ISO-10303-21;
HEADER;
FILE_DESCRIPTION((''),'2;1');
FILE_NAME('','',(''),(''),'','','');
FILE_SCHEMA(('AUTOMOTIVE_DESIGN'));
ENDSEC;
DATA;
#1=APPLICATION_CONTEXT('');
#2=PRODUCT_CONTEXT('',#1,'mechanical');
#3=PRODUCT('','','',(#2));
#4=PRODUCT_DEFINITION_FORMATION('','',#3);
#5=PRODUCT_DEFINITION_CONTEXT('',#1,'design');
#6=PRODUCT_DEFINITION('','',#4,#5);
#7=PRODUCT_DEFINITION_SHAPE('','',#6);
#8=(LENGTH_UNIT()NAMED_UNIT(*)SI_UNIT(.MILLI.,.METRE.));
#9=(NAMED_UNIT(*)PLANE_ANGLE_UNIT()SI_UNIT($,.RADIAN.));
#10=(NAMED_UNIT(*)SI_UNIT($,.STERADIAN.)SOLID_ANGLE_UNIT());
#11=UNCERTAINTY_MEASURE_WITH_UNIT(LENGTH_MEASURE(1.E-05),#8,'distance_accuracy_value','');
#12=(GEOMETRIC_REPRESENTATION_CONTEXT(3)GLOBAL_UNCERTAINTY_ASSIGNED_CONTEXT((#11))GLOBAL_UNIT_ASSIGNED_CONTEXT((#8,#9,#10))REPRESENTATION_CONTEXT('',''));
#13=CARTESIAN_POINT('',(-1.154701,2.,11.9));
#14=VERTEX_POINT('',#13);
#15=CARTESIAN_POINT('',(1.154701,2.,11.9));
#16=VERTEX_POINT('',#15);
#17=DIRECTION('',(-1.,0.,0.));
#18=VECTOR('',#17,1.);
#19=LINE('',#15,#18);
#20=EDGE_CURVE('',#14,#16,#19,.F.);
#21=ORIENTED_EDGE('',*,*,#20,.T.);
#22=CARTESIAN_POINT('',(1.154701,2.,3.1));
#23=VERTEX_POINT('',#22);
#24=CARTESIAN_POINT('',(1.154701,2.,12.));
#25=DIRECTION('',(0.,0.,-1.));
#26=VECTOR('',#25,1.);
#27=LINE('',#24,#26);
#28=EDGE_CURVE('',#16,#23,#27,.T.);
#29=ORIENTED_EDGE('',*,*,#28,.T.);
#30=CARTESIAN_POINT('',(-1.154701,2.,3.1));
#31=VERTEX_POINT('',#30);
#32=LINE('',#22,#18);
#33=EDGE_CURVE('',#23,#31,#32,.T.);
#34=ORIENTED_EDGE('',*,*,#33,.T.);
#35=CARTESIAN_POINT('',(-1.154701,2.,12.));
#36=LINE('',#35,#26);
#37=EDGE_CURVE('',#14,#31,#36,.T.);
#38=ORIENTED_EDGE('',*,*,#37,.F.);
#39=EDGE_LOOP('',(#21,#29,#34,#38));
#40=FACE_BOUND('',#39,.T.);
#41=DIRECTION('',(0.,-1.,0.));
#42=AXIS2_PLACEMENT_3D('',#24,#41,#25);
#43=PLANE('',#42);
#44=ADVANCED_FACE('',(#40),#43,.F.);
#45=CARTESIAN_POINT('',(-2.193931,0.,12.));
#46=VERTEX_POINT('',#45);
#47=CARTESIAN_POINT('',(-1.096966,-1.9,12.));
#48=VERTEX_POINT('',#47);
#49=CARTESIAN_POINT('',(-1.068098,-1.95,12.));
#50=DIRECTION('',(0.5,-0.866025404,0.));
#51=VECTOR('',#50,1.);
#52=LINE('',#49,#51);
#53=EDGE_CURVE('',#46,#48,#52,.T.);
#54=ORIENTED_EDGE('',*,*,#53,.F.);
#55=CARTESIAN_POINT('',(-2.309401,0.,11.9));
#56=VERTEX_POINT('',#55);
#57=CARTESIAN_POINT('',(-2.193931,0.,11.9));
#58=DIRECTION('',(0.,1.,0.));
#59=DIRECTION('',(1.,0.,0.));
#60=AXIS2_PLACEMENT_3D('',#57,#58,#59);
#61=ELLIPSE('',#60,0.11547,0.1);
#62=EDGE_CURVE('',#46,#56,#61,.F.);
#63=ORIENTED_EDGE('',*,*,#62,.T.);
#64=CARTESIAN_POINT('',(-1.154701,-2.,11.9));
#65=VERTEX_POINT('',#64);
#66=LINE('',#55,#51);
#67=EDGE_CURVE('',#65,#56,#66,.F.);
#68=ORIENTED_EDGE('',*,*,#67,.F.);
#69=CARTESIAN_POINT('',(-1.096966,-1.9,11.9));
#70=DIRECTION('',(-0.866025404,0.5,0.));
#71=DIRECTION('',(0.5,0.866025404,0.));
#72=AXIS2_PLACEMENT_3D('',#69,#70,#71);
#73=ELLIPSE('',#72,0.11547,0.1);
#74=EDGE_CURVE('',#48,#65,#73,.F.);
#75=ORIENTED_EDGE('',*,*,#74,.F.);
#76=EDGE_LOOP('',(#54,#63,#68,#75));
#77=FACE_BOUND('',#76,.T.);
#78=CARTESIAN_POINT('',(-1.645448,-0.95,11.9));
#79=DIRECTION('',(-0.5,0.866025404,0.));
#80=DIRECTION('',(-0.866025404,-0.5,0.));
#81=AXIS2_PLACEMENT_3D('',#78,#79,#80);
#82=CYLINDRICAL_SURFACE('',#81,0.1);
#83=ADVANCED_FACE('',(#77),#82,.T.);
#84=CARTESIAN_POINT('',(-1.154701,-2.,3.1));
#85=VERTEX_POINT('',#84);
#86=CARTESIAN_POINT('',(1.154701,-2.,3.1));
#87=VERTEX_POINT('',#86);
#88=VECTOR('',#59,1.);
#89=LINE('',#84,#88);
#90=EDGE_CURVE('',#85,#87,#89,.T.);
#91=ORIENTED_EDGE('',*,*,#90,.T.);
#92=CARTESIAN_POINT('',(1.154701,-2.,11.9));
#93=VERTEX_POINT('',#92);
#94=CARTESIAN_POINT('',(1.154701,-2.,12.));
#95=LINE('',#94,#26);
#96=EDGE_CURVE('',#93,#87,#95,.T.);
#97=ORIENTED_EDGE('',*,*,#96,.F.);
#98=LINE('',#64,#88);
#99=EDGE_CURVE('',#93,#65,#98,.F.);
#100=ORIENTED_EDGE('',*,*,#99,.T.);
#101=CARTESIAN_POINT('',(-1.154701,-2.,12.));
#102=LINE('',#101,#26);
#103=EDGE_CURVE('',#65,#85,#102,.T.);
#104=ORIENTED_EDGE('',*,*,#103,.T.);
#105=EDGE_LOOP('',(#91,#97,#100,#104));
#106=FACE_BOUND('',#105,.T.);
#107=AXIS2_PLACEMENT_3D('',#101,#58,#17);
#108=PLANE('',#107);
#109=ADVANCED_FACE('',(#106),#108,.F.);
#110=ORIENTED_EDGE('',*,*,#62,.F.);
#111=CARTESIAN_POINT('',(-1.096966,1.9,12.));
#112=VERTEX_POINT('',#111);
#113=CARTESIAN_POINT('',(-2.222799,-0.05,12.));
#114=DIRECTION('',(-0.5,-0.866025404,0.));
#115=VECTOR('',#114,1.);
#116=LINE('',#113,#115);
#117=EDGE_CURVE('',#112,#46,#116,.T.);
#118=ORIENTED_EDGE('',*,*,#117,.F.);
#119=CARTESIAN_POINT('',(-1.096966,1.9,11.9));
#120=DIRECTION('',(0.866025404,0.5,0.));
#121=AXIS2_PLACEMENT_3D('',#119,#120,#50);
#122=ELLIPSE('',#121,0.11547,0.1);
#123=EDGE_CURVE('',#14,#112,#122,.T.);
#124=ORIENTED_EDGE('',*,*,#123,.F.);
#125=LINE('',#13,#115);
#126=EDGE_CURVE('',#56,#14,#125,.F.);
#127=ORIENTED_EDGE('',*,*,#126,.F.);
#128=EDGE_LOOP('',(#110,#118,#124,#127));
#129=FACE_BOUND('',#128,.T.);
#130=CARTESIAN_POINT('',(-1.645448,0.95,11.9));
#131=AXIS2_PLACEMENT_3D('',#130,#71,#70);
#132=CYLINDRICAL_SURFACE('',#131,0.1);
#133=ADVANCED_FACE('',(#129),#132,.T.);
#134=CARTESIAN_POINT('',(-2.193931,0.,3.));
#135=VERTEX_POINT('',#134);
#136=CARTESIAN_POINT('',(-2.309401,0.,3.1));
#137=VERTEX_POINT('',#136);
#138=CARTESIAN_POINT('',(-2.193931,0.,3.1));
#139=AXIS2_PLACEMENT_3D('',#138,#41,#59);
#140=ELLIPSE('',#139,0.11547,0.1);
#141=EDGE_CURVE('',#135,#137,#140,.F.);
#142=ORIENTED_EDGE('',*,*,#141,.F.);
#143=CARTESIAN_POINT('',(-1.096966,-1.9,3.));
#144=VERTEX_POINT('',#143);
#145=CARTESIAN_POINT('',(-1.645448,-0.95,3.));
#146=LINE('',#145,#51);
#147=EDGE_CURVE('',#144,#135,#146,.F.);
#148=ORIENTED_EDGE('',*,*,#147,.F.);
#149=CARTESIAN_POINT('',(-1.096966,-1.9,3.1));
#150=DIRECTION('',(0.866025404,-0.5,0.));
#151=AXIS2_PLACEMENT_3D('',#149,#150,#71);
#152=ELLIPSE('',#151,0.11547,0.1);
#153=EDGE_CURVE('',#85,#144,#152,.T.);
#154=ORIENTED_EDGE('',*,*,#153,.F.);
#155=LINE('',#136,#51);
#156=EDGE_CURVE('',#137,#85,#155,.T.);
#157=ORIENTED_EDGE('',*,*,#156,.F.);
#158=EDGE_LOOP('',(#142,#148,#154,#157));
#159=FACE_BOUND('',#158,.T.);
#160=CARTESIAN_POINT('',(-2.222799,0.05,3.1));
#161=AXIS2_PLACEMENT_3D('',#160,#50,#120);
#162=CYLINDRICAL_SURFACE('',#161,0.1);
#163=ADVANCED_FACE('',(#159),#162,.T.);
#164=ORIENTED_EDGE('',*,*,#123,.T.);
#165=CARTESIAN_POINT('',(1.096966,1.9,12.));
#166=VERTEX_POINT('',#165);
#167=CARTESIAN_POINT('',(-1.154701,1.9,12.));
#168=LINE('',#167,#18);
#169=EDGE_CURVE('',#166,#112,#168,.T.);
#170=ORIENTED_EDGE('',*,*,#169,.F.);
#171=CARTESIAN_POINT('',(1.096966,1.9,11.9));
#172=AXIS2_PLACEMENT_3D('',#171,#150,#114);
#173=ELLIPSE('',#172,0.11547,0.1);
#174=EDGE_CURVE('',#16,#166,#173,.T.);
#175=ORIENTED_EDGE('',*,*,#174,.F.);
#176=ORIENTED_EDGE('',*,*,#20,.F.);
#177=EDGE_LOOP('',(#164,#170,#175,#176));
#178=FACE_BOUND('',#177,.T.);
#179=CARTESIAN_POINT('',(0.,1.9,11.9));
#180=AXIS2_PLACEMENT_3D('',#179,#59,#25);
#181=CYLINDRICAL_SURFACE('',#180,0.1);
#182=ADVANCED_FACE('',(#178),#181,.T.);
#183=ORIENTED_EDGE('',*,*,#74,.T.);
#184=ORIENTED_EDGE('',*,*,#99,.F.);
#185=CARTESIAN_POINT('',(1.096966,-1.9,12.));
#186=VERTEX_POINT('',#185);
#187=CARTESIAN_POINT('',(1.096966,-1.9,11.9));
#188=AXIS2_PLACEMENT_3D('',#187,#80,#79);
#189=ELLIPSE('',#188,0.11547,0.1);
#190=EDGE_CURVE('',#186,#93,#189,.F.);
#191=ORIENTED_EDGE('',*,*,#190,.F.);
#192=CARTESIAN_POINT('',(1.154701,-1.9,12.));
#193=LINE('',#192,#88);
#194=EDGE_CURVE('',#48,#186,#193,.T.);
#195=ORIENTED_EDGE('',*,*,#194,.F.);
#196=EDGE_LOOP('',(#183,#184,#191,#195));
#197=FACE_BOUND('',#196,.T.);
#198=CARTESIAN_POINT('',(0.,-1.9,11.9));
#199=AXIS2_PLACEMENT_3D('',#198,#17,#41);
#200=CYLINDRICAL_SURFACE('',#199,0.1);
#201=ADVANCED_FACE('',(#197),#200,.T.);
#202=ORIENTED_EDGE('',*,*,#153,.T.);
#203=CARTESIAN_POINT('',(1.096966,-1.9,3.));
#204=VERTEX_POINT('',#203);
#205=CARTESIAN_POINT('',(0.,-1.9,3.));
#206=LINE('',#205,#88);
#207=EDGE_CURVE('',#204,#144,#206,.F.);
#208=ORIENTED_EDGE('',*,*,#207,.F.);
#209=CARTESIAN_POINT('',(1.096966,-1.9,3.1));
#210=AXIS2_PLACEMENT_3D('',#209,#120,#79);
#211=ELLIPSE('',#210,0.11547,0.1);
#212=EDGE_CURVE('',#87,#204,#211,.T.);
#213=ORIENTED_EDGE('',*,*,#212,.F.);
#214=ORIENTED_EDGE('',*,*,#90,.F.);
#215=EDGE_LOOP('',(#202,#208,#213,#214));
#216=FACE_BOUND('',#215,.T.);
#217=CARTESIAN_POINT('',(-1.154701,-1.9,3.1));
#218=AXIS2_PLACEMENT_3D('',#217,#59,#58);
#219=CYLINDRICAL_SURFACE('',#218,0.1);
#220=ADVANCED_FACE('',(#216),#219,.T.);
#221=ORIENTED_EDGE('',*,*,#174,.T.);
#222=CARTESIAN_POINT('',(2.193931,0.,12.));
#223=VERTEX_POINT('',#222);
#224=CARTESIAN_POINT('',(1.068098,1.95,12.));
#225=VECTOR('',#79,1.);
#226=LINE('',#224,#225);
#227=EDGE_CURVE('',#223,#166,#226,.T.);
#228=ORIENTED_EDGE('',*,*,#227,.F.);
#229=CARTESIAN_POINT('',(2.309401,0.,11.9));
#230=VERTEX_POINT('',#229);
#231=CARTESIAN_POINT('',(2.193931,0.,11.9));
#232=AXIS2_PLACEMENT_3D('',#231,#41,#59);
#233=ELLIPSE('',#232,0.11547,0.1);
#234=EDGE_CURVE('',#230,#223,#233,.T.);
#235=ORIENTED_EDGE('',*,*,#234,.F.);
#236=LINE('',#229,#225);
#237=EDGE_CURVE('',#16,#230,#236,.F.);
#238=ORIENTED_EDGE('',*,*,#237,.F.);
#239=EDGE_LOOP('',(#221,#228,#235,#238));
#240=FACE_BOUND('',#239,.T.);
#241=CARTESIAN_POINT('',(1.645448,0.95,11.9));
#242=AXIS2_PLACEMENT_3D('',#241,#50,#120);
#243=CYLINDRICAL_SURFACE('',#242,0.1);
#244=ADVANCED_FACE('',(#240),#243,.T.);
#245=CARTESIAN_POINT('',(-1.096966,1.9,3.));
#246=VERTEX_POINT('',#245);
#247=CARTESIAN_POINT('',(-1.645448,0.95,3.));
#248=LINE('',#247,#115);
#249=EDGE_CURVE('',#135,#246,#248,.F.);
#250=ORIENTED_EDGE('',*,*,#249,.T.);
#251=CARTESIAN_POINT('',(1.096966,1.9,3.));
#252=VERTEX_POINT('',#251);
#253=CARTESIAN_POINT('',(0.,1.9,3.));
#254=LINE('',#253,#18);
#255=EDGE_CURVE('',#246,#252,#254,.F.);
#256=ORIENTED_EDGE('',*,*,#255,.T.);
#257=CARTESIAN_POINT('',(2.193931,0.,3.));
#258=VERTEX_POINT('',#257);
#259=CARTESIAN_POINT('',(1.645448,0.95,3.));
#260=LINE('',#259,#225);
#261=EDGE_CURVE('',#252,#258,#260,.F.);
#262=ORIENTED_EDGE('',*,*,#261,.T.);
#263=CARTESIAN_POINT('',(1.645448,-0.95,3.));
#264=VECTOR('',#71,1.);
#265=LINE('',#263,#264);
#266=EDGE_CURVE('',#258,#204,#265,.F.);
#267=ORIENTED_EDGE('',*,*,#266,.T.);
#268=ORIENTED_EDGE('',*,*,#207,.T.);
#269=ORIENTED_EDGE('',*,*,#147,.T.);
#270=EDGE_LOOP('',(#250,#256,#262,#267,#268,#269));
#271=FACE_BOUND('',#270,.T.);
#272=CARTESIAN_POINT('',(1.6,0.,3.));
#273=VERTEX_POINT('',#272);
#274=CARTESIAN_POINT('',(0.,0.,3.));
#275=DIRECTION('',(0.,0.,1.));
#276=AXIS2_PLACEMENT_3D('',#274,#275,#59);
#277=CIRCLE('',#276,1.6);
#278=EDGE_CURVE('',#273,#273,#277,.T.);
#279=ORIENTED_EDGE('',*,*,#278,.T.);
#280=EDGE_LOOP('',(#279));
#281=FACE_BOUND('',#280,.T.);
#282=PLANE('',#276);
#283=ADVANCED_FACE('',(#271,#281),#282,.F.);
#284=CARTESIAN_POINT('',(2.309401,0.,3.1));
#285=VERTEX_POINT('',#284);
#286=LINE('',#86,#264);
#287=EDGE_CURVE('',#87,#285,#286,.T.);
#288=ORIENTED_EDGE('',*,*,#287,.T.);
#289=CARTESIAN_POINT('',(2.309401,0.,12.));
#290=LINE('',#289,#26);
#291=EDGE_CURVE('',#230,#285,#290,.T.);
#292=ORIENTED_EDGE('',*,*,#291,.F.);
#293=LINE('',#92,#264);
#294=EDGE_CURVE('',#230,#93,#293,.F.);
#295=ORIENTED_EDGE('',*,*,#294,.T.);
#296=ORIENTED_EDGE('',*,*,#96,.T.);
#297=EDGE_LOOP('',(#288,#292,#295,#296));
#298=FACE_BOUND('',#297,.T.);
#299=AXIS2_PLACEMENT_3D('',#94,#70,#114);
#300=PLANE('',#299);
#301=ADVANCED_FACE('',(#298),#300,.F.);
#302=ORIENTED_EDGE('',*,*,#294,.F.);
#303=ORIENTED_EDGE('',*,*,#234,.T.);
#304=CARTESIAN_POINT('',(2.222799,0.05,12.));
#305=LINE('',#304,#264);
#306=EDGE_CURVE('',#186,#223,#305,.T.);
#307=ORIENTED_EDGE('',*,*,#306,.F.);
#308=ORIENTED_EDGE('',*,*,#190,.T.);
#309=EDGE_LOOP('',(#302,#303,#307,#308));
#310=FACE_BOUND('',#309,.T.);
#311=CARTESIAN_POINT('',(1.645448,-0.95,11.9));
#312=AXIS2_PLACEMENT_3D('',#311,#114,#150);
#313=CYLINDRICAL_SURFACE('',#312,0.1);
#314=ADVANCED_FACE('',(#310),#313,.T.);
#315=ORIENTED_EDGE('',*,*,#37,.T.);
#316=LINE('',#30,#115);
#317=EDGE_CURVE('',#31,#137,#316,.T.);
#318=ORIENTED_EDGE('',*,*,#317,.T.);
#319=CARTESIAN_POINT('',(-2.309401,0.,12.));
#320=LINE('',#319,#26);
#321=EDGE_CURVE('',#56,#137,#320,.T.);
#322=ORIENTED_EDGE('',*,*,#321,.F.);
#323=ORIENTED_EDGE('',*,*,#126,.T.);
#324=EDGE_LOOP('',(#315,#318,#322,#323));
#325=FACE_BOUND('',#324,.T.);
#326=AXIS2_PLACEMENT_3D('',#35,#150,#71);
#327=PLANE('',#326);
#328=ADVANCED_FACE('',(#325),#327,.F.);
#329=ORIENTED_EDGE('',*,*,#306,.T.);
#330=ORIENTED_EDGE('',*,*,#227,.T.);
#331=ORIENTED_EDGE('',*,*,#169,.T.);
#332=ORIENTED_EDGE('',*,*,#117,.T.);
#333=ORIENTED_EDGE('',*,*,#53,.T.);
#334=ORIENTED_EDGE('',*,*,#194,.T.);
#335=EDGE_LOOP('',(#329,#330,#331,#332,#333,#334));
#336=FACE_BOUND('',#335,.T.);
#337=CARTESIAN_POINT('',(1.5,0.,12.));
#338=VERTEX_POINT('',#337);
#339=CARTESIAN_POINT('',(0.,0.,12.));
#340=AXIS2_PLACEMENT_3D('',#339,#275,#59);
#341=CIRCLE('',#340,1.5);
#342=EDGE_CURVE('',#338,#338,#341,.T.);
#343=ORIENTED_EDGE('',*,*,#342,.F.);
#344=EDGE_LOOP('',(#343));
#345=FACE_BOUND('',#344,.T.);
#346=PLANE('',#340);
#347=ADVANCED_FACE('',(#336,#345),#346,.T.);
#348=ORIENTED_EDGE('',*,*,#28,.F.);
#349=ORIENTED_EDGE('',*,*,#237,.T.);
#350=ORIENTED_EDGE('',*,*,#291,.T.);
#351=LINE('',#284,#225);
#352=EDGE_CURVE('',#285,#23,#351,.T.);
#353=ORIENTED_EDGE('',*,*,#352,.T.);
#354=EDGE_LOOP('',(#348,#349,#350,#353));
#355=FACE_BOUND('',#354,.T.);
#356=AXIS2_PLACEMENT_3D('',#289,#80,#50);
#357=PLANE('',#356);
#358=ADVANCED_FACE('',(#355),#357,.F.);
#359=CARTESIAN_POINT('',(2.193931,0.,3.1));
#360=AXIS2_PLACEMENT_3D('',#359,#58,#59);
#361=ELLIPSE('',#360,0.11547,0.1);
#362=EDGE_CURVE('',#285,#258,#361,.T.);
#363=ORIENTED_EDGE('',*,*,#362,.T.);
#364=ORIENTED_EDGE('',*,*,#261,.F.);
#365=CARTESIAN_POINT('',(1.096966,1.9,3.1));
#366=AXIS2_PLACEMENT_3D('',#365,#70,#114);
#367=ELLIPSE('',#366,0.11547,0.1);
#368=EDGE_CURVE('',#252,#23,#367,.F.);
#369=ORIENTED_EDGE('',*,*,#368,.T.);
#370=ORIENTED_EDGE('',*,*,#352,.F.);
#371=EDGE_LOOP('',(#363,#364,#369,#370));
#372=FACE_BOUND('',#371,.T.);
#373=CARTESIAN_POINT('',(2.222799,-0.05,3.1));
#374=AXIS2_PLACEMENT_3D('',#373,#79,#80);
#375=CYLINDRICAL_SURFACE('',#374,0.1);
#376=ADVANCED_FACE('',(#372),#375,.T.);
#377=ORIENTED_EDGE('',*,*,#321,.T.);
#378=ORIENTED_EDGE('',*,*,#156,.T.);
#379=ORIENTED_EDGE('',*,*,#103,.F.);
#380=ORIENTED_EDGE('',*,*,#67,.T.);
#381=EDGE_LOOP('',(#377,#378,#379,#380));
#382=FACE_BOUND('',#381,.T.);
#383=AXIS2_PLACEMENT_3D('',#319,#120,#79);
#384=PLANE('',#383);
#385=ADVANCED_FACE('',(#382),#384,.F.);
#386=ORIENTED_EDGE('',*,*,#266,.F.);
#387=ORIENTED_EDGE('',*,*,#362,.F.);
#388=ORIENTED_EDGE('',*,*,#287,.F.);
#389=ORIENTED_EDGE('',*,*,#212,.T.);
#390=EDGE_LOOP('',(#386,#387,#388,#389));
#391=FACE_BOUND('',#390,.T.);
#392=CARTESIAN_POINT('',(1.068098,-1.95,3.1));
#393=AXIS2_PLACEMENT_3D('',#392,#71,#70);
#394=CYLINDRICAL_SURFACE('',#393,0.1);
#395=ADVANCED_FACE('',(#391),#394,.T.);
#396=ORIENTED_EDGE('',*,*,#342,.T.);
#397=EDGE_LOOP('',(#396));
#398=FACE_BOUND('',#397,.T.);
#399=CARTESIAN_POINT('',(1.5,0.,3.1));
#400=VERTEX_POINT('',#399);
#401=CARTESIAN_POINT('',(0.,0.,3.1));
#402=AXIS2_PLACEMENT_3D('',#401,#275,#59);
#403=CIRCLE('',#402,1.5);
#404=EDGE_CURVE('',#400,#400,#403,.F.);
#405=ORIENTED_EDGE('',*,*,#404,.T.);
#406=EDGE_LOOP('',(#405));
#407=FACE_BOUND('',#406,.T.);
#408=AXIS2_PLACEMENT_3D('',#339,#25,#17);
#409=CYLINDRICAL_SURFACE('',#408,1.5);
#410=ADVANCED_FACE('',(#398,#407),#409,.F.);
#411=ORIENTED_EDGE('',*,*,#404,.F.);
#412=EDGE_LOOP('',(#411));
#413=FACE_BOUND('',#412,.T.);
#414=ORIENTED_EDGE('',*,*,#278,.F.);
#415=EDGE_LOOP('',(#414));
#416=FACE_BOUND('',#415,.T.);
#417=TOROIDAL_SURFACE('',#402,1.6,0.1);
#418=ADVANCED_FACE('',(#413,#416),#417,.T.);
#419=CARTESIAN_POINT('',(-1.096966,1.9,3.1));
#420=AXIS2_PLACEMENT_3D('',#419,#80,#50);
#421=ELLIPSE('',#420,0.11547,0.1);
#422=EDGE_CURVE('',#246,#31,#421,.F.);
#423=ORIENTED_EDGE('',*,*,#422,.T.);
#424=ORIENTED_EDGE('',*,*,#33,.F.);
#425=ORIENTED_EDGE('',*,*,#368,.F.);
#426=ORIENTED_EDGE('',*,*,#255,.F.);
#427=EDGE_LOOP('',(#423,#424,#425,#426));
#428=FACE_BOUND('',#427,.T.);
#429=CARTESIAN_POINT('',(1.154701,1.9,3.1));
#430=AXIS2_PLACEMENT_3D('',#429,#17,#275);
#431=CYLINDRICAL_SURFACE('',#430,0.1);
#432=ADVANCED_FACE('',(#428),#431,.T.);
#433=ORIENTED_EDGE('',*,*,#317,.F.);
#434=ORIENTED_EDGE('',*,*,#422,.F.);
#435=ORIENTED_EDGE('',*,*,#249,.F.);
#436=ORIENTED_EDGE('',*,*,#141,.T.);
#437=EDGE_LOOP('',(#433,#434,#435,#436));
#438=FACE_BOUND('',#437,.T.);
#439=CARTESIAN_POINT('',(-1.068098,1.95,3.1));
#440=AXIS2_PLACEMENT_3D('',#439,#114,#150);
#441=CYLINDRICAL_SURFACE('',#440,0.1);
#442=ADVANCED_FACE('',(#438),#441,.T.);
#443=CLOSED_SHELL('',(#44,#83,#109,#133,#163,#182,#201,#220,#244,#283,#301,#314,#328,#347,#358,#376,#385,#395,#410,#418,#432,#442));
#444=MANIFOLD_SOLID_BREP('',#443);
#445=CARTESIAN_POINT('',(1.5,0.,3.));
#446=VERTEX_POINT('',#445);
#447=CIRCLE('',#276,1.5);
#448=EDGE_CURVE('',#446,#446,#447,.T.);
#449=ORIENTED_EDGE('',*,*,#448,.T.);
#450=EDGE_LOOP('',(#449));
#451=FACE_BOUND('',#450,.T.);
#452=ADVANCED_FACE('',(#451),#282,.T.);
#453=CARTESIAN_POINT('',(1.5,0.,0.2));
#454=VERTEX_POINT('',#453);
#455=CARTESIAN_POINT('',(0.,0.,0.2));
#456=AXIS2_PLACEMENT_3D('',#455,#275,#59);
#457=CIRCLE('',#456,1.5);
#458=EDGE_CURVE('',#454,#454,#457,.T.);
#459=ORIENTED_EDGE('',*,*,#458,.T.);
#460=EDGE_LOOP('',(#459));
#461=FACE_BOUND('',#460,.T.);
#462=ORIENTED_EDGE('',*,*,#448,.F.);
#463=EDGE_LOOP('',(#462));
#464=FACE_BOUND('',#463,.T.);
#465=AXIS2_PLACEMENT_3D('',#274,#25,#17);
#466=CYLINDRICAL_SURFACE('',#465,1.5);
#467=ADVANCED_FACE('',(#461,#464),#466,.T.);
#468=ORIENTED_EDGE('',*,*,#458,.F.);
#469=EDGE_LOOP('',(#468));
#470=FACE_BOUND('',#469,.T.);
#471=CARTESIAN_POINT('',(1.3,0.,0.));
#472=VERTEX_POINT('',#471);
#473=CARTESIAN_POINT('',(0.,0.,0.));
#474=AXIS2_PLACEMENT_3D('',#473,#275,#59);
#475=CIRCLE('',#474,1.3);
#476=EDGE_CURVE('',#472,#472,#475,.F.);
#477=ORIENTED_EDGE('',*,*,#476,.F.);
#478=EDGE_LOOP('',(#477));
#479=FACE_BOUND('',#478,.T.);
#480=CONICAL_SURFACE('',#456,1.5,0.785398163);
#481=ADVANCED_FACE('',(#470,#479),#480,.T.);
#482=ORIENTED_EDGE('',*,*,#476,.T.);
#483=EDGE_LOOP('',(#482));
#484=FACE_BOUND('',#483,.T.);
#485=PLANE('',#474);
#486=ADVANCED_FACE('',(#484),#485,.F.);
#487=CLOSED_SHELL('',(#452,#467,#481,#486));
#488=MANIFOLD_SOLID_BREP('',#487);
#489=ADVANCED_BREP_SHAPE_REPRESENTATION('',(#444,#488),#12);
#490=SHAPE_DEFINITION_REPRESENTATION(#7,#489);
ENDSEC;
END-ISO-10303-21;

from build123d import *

# Parameters (mm, degrees)
SKICA1_R                = 1.5
P_IDAT_VYSUNUT_M1_DEPTH = 3
SKICA2_R                = 1.5
P_IDAT_VYSUNUT_M2_DEPTH = 9
ZKOSEN_1_SIZE           = 0.2
ZAOBLIT1_R              = 0.1


with BuildPart() as part:
    # Skica1 → Přidat vysunutím1 (new body)
    with BuildSketch(Plane.XY):
        Circle(SKICA1_R)
    extrude(amount=P_IDAT_VYSUNUT_M1_DEPTH)

    # Zkosení1
    zkosen_1_edges = [part.edges().sort_by_distance(p)[0] for p in [
        (-1.5, 0, 0),
    ]]
    chamfer(zkosen_1_edges, length=ZKOSEN_1_SIZE)


with BuildPart() as body_2:
    # Skica2 → Přidat vysunutím2 (new body)
    with BuildSketch(Plane.XY.offset(3)):
        Polygon((2.309401077, 0), (1.154700538, 2), (-1.154700538, 2), (-2.309401077, 0), (-1.154700538, -2), (1.154700538, -2), align=None)
        Circle(SKICA2_R, mode=Mode.SUBTRACT)
    extrude(amount=P_IDAT_VYSUNUT_M2_DEPTH)

    # Zaoblit1
    zaoblit1_edges = [body_2.edges().sort_by_distance(p)[0] for p in [
        (0, 2, 12),
        (-1.732050808, 1, 12),
        (-1.5, 0, 3),
        (-1.732050808, -1, 12),
        (0, -2, 12),
        (1.732050808, -1, 12),
        (0, -2, 3),
        (-1.732050808, -1, 3),
        (-1.732050808, 1, 3),
        (0, 2, 3),
        (1.732050808, 1, 3),
        (1.732050808, -1, 3),
        (1.732050808, 1, 12),
    ]]
    fillet(zaoblit1_edges, radius=ZAOBLIT1_R)


solid = Compound([part.part, body_2.part])
